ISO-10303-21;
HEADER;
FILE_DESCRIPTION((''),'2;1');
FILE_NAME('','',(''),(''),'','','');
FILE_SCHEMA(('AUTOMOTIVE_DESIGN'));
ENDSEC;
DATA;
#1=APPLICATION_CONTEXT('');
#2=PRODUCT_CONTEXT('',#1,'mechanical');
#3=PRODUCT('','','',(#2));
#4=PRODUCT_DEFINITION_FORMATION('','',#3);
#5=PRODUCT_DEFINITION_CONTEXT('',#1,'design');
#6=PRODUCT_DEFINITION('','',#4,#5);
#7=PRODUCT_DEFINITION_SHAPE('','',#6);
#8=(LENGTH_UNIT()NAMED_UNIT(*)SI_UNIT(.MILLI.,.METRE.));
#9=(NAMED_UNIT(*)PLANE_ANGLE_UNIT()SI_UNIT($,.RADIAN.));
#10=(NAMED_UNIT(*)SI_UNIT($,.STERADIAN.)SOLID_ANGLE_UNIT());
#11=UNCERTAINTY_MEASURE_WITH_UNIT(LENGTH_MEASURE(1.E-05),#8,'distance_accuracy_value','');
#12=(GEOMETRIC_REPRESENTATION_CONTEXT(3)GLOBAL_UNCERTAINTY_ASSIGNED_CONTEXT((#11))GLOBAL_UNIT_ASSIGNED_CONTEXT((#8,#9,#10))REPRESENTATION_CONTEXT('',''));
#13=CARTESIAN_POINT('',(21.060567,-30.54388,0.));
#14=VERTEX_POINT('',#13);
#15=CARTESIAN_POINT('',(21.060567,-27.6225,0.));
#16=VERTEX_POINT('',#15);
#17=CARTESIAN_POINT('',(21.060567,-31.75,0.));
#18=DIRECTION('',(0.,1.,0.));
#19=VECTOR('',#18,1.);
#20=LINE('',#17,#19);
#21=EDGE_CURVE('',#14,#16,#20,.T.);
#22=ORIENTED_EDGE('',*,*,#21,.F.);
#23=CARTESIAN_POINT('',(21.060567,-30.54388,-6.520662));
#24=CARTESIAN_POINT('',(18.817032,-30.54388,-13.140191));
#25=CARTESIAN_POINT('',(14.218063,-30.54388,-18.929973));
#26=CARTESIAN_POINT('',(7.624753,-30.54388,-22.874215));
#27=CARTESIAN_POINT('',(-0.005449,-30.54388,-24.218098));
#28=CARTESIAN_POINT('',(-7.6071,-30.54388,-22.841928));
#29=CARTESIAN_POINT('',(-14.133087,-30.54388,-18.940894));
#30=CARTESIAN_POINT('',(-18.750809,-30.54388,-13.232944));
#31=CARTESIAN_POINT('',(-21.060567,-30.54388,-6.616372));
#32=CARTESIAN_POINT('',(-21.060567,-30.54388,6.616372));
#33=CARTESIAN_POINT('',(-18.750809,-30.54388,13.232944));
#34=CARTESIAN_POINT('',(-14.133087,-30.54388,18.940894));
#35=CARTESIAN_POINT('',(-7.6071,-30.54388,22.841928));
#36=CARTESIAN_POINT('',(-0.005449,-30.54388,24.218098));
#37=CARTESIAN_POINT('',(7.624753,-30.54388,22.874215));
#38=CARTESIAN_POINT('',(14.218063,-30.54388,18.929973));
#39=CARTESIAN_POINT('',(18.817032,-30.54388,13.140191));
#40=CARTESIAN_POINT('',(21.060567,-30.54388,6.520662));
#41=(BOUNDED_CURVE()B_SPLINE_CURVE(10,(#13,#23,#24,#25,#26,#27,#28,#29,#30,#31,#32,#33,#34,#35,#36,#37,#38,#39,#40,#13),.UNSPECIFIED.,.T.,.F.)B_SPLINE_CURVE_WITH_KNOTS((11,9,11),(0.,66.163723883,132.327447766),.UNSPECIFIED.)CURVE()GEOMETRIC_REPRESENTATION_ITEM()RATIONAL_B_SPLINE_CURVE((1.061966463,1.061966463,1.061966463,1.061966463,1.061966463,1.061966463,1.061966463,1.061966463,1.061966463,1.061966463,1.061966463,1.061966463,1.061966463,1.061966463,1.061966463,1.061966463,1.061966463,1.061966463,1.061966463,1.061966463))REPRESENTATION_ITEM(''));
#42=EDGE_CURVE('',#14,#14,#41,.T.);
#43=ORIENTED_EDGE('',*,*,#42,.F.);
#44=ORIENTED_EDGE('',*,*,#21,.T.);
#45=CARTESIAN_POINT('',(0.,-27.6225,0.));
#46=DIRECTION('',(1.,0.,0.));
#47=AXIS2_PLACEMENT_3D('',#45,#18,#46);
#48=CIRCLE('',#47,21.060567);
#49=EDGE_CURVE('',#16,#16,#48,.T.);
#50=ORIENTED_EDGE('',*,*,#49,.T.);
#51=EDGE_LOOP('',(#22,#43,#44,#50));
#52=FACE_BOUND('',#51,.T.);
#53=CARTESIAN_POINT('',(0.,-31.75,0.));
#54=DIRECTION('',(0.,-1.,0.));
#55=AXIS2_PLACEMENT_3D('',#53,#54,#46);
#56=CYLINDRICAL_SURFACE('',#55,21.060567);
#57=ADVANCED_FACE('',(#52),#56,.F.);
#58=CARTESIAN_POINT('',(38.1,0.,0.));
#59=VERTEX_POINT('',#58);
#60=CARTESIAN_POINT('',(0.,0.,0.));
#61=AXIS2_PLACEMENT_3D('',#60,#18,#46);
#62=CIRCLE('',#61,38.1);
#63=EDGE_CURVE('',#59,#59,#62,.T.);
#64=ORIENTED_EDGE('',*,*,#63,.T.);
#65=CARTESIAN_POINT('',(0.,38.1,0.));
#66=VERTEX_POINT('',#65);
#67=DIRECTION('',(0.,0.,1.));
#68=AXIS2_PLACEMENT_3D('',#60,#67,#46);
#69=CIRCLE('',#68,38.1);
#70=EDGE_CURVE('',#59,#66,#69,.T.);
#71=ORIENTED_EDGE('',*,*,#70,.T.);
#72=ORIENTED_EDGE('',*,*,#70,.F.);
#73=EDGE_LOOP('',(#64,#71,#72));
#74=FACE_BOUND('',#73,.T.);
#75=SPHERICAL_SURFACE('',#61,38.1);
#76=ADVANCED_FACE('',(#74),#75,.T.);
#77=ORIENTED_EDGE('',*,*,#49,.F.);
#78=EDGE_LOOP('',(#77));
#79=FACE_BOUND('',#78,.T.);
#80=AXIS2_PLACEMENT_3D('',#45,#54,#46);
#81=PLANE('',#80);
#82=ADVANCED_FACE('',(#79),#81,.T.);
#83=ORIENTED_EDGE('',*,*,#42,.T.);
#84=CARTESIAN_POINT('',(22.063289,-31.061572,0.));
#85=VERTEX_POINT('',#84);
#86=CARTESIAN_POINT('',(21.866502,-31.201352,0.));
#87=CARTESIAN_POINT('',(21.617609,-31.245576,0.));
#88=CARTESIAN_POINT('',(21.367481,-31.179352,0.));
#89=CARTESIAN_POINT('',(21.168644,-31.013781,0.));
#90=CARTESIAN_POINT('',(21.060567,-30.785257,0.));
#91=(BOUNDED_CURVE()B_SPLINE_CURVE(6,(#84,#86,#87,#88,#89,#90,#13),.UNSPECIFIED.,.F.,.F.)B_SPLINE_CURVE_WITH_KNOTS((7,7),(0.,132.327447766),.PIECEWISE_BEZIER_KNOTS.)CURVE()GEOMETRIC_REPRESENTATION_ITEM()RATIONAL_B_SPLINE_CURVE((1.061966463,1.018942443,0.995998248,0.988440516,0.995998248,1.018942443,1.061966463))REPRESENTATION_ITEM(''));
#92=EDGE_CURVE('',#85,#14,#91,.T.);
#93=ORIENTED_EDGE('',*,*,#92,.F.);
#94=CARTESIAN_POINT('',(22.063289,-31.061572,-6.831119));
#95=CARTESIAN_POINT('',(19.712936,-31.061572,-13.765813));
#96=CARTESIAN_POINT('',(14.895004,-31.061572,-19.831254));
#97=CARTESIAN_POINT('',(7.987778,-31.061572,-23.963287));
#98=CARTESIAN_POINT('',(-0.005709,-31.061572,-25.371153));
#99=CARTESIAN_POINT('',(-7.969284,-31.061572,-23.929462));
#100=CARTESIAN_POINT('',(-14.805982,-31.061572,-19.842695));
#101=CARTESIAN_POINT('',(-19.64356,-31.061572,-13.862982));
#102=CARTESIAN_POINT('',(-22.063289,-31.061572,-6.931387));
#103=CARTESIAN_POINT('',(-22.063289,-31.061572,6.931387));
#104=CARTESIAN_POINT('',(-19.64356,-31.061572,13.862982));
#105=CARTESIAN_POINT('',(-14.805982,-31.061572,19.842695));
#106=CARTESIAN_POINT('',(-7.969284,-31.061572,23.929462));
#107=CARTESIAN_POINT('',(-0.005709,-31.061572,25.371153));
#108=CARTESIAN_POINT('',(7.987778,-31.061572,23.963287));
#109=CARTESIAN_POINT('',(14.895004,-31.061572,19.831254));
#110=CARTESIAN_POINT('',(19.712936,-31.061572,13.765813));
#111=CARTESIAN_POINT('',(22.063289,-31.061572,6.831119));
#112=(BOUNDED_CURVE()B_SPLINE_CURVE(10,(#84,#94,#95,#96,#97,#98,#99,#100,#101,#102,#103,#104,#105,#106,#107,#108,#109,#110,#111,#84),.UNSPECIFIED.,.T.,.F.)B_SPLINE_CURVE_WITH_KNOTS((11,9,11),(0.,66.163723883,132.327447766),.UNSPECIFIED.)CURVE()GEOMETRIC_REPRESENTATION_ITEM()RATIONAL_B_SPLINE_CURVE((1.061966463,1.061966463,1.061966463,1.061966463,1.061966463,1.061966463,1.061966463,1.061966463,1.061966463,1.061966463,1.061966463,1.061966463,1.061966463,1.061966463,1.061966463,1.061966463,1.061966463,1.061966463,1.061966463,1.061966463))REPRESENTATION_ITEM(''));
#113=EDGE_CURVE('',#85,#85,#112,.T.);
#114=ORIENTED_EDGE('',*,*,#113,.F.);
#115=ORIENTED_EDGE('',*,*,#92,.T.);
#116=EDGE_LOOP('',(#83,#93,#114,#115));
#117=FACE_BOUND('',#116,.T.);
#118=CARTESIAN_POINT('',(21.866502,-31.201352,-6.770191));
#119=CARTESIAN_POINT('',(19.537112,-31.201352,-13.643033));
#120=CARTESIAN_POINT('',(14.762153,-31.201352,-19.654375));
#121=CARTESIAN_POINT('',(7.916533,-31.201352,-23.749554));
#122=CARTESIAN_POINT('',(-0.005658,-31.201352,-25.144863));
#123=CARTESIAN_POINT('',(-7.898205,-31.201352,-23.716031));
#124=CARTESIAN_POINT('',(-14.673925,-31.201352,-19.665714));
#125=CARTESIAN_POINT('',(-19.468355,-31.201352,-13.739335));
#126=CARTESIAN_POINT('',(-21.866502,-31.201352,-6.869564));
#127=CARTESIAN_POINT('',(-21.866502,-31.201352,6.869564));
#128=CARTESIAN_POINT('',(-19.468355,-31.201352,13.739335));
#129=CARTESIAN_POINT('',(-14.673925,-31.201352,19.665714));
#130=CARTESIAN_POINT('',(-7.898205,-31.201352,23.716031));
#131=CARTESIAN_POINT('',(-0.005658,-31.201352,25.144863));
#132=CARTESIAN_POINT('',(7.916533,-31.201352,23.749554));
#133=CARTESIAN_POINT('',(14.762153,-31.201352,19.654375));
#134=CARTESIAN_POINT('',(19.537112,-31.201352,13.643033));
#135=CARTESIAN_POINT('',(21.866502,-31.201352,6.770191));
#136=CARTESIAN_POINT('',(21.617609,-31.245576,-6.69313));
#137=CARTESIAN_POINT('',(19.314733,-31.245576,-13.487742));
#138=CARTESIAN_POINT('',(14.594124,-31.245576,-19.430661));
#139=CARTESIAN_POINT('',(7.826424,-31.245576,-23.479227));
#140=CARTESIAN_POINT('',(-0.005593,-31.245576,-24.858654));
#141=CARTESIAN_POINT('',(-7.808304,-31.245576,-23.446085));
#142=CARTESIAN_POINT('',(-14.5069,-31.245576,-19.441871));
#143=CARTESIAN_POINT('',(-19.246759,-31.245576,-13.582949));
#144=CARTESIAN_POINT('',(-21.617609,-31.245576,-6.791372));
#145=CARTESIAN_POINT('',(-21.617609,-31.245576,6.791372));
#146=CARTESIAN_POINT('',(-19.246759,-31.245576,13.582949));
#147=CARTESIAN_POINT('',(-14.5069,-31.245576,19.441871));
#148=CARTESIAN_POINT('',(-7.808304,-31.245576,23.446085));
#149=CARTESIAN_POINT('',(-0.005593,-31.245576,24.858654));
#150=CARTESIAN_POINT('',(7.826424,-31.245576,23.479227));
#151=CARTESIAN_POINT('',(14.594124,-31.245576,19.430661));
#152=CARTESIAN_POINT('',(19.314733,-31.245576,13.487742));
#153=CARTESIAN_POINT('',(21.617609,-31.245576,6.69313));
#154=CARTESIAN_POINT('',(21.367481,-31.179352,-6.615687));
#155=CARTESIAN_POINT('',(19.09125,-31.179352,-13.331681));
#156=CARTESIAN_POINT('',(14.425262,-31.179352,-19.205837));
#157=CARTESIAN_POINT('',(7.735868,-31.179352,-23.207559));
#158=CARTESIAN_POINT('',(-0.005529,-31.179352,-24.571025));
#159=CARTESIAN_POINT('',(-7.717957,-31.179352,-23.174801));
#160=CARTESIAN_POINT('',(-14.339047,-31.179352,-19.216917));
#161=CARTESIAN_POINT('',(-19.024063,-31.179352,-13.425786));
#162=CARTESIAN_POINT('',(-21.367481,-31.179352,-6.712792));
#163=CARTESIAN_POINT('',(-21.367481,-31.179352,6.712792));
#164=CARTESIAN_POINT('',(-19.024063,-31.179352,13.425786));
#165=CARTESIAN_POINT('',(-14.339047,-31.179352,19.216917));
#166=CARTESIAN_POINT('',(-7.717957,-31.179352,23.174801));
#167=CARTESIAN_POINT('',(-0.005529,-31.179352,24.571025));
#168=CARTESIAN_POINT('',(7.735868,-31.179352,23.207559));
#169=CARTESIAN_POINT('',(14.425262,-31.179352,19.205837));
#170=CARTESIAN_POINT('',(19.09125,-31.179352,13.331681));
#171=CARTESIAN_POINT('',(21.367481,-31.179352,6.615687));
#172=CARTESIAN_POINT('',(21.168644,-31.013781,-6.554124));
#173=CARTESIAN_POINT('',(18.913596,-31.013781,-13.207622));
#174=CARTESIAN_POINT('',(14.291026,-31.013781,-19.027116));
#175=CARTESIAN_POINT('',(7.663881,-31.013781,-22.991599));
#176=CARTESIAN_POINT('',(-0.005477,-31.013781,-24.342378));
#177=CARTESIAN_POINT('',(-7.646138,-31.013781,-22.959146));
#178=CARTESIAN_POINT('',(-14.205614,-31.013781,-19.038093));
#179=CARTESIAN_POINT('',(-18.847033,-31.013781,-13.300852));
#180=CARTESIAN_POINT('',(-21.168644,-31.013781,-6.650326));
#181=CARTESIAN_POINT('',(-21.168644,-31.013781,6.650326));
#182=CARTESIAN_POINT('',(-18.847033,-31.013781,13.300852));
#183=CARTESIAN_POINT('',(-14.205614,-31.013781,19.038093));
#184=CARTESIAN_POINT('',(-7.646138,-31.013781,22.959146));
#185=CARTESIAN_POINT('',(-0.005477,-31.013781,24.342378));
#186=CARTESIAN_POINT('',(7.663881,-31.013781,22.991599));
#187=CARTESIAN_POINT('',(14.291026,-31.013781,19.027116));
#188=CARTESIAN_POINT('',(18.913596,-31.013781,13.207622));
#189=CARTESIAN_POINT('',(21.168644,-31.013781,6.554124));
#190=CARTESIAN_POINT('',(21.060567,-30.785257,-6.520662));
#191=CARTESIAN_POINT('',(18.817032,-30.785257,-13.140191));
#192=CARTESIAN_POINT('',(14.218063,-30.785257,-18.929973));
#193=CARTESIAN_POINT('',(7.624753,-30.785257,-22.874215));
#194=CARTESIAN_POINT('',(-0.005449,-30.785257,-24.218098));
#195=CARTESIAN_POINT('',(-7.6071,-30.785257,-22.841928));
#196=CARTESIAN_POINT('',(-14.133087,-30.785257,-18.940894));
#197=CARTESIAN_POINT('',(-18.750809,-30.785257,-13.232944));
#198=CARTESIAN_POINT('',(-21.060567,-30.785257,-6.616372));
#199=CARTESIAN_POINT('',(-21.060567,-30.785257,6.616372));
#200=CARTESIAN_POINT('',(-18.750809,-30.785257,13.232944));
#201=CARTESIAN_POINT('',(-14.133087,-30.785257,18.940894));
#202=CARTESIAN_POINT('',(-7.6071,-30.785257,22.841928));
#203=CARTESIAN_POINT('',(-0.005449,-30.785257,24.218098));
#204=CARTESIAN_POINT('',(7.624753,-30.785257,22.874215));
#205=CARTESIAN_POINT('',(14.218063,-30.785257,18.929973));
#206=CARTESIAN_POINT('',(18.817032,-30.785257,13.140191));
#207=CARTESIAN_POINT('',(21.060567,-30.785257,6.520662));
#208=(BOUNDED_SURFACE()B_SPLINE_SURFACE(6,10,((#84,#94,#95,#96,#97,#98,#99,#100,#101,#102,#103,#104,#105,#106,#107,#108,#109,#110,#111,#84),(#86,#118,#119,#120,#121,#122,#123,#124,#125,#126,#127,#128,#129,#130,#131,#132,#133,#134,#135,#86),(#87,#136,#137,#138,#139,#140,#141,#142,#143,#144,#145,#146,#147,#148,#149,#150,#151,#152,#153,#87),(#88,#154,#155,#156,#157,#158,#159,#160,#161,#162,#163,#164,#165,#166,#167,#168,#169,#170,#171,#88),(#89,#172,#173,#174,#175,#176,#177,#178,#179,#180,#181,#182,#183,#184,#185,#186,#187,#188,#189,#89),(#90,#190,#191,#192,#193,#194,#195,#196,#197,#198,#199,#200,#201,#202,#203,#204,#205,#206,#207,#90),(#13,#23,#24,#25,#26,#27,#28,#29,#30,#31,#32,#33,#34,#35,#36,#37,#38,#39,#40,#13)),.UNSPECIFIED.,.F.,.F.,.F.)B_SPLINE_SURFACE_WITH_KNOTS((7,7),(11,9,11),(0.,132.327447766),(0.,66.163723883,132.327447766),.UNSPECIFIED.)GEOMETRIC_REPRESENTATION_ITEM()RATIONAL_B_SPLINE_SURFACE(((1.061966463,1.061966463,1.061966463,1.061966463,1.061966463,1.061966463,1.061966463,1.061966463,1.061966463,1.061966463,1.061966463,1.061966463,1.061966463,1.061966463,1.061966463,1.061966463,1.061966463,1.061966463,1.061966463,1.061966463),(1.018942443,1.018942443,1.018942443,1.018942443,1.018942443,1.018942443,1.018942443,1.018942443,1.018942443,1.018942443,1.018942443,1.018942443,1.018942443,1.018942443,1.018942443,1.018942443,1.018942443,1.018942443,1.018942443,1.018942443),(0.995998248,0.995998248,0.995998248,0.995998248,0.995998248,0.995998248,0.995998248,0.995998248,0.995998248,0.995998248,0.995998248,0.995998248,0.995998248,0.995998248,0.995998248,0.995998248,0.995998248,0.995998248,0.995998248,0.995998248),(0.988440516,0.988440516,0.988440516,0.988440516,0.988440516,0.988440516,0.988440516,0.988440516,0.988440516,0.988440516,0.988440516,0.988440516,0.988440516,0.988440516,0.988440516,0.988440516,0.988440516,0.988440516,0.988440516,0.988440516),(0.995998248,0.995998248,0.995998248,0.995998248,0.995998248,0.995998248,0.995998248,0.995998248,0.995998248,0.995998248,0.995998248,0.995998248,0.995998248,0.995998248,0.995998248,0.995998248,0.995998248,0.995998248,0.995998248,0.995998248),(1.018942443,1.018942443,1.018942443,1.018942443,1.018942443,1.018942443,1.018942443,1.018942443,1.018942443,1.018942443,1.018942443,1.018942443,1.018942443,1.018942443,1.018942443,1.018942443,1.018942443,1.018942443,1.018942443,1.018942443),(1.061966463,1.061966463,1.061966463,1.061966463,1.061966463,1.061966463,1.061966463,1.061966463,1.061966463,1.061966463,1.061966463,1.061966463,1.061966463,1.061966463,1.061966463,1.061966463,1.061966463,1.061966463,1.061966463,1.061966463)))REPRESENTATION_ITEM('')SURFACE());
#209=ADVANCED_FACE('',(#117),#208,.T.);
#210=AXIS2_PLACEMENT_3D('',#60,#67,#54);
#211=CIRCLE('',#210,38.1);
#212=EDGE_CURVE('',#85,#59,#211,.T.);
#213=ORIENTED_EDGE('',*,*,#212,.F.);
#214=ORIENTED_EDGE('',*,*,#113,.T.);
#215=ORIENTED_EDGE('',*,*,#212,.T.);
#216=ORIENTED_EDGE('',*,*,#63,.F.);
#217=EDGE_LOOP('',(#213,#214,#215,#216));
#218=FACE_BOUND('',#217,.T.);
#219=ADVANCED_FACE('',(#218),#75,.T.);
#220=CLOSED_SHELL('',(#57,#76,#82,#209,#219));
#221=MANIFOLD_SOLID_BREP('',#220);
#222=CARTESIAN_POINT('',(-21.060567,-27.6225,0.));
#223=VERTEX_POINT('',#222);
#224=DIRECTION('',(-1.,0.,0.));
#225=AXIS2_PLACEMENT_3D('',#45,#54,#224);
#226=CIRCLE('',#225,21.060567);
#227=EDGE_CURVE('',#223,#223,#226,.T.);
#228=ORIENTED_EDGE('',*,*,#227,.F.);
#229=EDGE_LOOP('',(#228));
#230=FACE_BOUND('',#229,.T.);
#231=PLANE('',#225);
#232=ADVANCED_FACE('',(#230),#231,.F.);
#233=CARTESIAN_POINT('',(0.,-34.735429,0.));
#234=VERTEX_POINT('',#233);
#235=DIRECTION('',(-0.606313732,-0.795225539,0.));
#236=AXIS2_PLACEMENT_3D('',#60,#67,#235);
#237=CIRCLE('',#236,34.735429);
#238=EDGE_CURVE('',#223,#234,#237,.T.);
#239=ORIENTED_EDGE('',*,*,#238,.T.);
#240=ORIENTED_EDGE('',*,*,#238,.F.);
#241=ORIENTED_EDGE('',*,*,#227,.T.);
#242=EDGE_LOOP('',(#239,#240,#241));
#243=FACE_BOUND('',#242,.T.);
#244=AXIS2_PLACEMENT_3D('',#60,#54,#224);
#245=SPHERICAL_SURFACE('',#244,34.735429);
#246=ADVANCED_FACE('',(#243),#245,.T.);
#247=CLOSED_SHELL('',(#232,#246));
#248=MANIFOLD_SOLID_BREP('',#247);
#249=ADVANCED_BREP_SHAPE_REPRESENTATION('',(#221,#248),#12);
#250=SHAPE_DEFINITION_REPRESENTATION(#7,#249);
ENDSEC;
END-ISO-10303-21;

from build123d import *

# Parameters (mm, degrees)
F3_R     = 21.1666666667
F4_DEPTH = 25.4
F5_DEPTH = 4.1275
F6_R     = 0.635


with BuildPart() as f1:
    # F0 (on Top) → F1 (revolve)
    with BuildSketch(Plane.XY):
        with BuildLine():
            ThreePointArc((0, -38.1), (26.9407683632, -26.9407683632), (38.1, 0))
            ThreePointArc((38.1, 0), (26.9407683632, 26.9407683632), (0, 38.1))
            Line((0, 38.1), (0, 0))
            Line((0, 0), (0, -38.1))
        make_face()
    revolve(axis=Axis((0, 19.05, 0), (0, 1, 0)))

    # F3 (on offset) → F4 (cut)
    with BuildSketch(Plane.XZ.offset(31.75)):
        Circle(F3_R)
    extrude(amount=F4_DEPTH, mode=Mode.SUBTRACT)

    # F5 (cut): a face of the model
    f5_faces = [f1.faces().sort_by_distance(p)[0] for p in [
        (0, -31.75, 0),
    ]]
    extrude(f5_faces, amount=-F5_DEPTH, mode=Mode.SUBTRACT)

    # F6
    f6_edges = [f1.edges().sort_by_distance(p)[0] for p in [
        (-21.060567, -31.75, 0),
    ]]
    fillet(f6_edges, radius=F6_R)


with BuildPart() as f8:
    # F7 (on Top) → F8 (revolve)
    with BuildSketch(Plane.XY):
        with BuildLine():
            Line((0, -27.6225), (-21.0605674188, -27.6225))
            ThreePointArc((-21.0605674188, -27.6225), (-11.1146441075, -32.9091885742), (0, -34.7354286896))
            Line((0, -34.7354286896), (0, -27.6225))
        make_face()
    revolve(axis=Axis((0, -31.1789643448, 0), (0, -1, 0)))


solid = Compound([f1.part, f8.part])
